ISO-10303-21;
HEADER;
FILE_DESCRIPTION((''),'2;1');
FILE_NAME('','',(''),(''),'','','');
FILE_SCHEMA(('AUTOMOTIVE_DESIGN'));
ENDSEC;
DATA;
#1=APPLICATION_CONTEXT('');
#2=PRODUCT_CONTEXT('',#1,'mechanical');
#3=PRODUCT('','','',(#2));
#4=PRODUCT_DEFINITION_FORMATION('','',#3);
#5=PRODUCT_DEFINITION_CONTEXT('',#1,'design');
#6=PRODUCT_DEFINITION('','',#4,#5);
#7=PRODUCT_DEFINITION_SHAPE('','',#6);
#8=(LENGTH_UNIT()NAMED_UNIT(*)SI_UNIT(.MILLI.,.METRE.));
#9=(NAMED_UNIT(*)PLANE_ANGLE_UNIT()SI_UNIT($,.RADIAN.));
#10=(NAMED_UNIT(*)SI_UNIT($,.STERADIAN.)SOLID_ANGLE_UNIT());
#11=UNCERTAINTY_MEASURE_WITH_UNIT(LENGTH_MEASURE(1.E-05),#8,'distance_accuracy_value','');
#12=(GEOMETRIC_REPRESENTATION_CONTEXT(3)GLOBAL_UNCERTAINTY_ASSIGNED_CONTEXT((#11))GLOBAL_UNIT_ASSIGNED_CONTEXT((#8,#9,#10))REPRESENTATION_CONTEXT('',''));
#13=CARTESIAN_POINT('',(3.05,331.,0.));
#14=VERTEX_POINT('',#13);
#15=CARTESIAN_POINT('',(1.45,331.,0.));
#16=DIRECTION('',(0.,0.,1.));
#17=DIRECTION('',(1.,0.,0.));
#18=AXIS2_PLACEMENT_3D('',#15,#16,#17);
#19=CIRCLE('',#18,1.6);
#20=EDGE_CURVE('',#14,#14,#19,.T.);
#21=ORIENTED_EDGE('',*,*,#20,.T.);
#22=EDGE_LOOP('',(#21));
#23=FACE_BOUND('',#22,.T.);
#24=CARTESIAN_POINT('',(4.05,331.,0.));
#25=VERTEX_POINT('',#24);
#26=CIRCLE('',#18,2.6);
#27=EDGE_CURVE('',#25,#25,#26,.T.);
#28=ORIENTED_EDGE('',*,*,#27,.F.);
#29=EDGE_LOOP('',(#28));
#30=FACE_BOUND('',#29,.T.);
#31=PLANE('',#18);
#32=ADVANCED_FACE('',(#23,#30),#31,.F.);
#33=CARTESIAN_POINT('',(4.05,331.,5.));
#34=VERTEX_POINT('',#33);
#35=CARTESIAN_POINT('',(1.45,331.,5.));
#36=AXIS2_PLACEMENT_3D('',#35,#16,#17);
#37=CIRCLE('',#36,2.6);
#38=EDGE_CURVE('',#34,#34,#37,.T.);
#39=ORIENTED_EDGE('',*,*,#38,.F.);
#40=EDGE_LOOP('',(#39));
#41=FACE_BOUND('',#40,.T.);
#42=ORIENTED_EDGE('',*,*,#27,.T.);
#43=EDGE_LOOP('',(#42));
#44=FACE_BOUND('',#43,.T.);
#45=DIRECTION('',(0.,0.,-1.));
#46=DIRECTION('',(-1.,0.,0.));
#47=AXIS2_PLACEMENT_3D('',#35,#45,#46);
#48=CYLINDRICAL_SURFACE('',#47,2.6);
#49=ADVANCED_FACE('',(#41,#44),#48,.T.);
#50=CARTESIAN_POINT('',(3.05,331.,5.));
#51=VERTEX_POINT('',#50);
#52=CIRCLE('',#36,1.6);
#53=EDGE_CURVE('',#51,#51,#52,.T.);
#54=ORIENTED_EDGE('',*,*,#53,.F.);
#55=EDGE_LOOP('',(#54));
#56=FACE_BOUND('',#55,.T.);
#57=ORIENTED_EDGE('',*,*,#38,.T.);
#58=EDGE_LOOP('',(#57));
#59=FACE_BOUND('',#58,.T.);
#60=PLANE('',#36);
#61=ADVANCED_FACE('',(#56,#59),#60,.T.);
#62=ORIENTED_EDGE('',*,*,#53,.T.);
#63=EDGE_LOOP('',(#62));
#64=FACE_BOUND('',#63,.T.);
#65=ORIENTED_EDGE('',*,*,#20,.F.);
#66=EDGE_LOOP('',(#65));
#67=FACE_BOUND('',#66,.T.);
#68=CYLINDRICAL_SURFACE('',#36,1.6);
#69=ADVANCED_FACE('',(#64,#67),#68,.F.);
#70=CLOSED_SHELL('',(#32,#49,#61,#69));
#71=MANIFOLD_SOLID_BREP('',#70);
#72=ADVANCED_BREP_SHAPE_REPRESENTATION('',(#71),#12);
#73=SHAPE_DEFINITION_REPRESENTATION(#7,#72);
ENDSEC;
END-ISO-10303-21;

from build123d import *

# Parameters (mm, degrees)
SKETCH1_R                = 2.6
BOSS_EXTRUDE1_DEPTH      = 5
M3_CLEARANCE_HOLE1_D     = 3.2
M3_CLEARANCE_HOLE1_DEPTH = 7
M3_CLEARANCE_HOLE1_TIP   = 0.96137699


with BuildPart() as part:
    # Sketch1 → Boss-Extrude1 (new body)
    with BuildSketch(Plane.XY):
        with Locations((1.45, 331)):
            Circle(SKETCH1_R)
    extrude(amount=BOSS_EXTRUDE1_DEPTH)

    # M3 Clearance Hole1
    with Locations(Plane.XY.offset(5)):
        with Locations((1.45, 331)):
            Hole(M3_CLEARANCE_HOLE1_D / 2, depth=M3_CLEARANCE_HOLE1_DEPTH)
            with Locations((0, 0, -(M3_CLEARANCE_HOLE1_DEPTH + M3_CLEARANCE_HOLE1_TIP / 2))):  # 118° drill point
                Cone(0, M3_CLEARANCE_HOLE1_D / 2, M3_CLEARANCE_HOLE1_TIP, mode=Mode.SUBTRACT)


solid = part.part
